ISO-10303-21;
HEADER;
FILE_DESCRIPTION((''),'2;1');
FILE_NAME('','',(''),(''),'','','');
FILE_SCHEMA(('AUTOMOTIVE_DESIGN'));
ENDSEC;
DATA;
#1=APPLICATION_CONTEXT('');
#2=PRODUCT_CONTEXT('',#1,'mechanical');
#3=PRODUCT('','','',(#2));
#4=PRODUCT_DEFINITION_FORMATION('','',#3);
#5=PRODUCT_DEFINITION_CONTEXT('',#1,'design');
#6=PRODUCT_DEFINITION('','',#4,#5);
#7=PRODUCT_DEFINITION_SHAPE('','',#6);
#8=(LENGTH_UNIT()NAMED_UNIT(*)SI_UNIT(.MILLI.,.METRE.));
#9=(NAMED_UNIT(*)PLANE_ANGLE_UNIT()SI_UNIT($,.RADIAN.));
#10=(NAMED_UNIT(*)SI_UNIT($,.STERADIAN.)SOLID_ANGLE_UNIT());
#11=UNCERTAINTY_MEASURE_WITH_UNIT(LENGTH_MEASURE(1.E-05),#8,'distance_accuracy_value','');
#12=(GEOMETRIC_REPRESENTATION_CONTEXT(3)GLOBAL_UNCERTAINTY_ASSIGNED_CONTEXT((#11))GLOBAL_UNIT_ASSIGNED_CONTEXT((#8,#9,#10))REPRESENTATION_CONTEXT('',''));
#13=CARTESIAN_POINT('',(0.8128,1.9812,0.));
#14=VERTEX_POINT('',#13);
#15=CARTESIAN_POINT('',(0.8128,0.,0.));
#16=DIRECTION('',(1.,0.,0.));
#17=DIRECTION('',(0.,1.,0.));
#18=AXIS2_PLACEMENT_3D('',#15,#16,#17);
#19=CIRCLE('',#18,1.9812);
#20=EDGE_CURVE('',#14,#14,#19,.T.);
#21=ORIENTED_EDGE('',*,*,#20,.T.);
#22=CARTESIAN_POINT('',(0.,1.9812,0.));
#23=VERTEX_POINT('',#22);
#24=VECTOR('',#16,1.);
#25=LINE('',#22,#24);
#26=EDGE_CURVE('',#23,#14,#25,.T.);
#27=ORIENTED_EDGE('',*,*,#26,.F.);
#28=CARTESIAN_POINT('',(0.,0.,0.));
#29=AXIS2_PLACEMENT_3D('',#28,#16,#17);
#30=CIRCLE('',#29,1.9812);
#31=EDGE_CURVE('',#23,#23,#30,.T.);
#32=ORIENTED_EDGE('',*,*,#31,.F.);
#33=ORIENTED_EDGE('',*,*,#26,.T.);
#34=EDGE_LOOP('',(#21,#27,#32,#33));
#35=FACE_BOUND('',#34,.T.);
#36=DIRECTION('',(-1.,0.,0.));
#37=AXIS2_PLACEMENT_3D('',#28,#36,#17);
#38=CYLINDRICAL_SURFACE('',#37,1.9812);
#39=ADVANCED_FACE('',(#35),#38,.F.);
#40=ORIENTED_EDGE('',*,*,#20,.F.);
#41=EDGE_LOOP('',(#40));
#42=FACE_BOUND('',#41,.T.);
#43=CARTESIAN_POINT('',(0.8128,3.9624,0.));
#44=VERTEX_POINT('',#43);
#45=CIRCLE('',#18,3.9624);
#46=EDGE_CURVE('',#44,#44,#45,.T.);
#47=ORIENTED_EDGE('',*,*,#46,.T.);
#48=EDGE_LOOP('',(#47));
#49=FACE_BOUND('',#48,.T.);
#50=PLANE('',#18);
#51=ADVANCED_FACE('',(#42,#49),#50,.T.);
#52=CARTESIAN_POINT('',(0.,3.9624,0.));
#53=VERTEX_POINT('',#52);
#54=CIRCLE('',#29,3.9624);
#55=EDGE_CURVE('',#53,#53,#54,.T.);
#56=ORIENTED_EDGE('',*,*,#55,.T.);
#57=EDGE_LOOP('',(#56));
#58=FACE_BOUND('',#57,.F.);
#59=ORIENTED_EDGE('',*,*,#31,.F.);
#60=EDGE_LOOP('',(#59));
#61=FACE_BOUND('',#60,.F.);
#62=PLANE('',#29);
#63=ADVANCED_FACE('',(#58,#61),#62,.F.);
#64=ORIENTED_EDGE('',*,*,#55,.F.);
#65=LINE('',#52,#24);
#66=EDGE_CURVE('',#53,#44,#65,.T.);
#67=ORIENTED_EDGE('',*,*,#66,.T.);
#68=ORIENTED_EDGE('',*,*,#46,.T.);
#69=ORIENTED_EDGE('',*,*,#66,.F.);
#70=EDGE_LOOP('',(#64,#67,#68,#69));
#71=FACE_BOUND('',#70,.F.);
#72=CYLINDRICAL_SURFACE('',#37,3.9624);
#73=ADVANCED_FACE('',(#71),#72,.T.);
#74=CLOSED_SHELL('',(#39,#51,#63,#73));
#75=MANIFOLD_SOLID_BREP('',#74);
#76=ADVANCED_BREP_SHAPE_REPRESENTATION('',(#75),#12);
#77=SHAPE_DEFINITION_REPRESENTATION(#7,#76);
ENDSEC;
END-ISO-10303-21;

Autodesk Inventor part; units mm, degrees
ref_plane "YZ Plane" through (0, 0, 0) normal (1, 0, 0) x (0, 1, 0)
ref_plane "XZ Plane" through (0, 0, 0) normal (0, 1, 0) x (-1, 0, 0)
sketch "Sketch" plane through (0, 0, 0) normal (1, 0, 0) x (0, 1, 0)
  circle A0 centre (0, 0) radius 3.9624
  circle A1 centre (0, 0) radius 1.9812
  dimension "d0" = 3.9624
  dimension "d1" = 7.9248
extrude "Body" add sketch "Sketch" along normal blind 0.8128
ref_plane "Work Plane1" through (0, 0, 0) normal (0, 0, 1) x (1, 0, 0)
equation "\"d0\" = SD1"
equation "\"d1\" = SD2"
equation "\"d2\" = SD"
equation "\"SD1\" = 3.9624"
equation "\"SD2\" = 7.9248"
equation "\"SD\" = 0.8128"
equation "\"NND\" = 3.5052"
properties part number "ANSI B18.22.1 - No. 6 - narrow - Type B" material "Steel, Mild"
